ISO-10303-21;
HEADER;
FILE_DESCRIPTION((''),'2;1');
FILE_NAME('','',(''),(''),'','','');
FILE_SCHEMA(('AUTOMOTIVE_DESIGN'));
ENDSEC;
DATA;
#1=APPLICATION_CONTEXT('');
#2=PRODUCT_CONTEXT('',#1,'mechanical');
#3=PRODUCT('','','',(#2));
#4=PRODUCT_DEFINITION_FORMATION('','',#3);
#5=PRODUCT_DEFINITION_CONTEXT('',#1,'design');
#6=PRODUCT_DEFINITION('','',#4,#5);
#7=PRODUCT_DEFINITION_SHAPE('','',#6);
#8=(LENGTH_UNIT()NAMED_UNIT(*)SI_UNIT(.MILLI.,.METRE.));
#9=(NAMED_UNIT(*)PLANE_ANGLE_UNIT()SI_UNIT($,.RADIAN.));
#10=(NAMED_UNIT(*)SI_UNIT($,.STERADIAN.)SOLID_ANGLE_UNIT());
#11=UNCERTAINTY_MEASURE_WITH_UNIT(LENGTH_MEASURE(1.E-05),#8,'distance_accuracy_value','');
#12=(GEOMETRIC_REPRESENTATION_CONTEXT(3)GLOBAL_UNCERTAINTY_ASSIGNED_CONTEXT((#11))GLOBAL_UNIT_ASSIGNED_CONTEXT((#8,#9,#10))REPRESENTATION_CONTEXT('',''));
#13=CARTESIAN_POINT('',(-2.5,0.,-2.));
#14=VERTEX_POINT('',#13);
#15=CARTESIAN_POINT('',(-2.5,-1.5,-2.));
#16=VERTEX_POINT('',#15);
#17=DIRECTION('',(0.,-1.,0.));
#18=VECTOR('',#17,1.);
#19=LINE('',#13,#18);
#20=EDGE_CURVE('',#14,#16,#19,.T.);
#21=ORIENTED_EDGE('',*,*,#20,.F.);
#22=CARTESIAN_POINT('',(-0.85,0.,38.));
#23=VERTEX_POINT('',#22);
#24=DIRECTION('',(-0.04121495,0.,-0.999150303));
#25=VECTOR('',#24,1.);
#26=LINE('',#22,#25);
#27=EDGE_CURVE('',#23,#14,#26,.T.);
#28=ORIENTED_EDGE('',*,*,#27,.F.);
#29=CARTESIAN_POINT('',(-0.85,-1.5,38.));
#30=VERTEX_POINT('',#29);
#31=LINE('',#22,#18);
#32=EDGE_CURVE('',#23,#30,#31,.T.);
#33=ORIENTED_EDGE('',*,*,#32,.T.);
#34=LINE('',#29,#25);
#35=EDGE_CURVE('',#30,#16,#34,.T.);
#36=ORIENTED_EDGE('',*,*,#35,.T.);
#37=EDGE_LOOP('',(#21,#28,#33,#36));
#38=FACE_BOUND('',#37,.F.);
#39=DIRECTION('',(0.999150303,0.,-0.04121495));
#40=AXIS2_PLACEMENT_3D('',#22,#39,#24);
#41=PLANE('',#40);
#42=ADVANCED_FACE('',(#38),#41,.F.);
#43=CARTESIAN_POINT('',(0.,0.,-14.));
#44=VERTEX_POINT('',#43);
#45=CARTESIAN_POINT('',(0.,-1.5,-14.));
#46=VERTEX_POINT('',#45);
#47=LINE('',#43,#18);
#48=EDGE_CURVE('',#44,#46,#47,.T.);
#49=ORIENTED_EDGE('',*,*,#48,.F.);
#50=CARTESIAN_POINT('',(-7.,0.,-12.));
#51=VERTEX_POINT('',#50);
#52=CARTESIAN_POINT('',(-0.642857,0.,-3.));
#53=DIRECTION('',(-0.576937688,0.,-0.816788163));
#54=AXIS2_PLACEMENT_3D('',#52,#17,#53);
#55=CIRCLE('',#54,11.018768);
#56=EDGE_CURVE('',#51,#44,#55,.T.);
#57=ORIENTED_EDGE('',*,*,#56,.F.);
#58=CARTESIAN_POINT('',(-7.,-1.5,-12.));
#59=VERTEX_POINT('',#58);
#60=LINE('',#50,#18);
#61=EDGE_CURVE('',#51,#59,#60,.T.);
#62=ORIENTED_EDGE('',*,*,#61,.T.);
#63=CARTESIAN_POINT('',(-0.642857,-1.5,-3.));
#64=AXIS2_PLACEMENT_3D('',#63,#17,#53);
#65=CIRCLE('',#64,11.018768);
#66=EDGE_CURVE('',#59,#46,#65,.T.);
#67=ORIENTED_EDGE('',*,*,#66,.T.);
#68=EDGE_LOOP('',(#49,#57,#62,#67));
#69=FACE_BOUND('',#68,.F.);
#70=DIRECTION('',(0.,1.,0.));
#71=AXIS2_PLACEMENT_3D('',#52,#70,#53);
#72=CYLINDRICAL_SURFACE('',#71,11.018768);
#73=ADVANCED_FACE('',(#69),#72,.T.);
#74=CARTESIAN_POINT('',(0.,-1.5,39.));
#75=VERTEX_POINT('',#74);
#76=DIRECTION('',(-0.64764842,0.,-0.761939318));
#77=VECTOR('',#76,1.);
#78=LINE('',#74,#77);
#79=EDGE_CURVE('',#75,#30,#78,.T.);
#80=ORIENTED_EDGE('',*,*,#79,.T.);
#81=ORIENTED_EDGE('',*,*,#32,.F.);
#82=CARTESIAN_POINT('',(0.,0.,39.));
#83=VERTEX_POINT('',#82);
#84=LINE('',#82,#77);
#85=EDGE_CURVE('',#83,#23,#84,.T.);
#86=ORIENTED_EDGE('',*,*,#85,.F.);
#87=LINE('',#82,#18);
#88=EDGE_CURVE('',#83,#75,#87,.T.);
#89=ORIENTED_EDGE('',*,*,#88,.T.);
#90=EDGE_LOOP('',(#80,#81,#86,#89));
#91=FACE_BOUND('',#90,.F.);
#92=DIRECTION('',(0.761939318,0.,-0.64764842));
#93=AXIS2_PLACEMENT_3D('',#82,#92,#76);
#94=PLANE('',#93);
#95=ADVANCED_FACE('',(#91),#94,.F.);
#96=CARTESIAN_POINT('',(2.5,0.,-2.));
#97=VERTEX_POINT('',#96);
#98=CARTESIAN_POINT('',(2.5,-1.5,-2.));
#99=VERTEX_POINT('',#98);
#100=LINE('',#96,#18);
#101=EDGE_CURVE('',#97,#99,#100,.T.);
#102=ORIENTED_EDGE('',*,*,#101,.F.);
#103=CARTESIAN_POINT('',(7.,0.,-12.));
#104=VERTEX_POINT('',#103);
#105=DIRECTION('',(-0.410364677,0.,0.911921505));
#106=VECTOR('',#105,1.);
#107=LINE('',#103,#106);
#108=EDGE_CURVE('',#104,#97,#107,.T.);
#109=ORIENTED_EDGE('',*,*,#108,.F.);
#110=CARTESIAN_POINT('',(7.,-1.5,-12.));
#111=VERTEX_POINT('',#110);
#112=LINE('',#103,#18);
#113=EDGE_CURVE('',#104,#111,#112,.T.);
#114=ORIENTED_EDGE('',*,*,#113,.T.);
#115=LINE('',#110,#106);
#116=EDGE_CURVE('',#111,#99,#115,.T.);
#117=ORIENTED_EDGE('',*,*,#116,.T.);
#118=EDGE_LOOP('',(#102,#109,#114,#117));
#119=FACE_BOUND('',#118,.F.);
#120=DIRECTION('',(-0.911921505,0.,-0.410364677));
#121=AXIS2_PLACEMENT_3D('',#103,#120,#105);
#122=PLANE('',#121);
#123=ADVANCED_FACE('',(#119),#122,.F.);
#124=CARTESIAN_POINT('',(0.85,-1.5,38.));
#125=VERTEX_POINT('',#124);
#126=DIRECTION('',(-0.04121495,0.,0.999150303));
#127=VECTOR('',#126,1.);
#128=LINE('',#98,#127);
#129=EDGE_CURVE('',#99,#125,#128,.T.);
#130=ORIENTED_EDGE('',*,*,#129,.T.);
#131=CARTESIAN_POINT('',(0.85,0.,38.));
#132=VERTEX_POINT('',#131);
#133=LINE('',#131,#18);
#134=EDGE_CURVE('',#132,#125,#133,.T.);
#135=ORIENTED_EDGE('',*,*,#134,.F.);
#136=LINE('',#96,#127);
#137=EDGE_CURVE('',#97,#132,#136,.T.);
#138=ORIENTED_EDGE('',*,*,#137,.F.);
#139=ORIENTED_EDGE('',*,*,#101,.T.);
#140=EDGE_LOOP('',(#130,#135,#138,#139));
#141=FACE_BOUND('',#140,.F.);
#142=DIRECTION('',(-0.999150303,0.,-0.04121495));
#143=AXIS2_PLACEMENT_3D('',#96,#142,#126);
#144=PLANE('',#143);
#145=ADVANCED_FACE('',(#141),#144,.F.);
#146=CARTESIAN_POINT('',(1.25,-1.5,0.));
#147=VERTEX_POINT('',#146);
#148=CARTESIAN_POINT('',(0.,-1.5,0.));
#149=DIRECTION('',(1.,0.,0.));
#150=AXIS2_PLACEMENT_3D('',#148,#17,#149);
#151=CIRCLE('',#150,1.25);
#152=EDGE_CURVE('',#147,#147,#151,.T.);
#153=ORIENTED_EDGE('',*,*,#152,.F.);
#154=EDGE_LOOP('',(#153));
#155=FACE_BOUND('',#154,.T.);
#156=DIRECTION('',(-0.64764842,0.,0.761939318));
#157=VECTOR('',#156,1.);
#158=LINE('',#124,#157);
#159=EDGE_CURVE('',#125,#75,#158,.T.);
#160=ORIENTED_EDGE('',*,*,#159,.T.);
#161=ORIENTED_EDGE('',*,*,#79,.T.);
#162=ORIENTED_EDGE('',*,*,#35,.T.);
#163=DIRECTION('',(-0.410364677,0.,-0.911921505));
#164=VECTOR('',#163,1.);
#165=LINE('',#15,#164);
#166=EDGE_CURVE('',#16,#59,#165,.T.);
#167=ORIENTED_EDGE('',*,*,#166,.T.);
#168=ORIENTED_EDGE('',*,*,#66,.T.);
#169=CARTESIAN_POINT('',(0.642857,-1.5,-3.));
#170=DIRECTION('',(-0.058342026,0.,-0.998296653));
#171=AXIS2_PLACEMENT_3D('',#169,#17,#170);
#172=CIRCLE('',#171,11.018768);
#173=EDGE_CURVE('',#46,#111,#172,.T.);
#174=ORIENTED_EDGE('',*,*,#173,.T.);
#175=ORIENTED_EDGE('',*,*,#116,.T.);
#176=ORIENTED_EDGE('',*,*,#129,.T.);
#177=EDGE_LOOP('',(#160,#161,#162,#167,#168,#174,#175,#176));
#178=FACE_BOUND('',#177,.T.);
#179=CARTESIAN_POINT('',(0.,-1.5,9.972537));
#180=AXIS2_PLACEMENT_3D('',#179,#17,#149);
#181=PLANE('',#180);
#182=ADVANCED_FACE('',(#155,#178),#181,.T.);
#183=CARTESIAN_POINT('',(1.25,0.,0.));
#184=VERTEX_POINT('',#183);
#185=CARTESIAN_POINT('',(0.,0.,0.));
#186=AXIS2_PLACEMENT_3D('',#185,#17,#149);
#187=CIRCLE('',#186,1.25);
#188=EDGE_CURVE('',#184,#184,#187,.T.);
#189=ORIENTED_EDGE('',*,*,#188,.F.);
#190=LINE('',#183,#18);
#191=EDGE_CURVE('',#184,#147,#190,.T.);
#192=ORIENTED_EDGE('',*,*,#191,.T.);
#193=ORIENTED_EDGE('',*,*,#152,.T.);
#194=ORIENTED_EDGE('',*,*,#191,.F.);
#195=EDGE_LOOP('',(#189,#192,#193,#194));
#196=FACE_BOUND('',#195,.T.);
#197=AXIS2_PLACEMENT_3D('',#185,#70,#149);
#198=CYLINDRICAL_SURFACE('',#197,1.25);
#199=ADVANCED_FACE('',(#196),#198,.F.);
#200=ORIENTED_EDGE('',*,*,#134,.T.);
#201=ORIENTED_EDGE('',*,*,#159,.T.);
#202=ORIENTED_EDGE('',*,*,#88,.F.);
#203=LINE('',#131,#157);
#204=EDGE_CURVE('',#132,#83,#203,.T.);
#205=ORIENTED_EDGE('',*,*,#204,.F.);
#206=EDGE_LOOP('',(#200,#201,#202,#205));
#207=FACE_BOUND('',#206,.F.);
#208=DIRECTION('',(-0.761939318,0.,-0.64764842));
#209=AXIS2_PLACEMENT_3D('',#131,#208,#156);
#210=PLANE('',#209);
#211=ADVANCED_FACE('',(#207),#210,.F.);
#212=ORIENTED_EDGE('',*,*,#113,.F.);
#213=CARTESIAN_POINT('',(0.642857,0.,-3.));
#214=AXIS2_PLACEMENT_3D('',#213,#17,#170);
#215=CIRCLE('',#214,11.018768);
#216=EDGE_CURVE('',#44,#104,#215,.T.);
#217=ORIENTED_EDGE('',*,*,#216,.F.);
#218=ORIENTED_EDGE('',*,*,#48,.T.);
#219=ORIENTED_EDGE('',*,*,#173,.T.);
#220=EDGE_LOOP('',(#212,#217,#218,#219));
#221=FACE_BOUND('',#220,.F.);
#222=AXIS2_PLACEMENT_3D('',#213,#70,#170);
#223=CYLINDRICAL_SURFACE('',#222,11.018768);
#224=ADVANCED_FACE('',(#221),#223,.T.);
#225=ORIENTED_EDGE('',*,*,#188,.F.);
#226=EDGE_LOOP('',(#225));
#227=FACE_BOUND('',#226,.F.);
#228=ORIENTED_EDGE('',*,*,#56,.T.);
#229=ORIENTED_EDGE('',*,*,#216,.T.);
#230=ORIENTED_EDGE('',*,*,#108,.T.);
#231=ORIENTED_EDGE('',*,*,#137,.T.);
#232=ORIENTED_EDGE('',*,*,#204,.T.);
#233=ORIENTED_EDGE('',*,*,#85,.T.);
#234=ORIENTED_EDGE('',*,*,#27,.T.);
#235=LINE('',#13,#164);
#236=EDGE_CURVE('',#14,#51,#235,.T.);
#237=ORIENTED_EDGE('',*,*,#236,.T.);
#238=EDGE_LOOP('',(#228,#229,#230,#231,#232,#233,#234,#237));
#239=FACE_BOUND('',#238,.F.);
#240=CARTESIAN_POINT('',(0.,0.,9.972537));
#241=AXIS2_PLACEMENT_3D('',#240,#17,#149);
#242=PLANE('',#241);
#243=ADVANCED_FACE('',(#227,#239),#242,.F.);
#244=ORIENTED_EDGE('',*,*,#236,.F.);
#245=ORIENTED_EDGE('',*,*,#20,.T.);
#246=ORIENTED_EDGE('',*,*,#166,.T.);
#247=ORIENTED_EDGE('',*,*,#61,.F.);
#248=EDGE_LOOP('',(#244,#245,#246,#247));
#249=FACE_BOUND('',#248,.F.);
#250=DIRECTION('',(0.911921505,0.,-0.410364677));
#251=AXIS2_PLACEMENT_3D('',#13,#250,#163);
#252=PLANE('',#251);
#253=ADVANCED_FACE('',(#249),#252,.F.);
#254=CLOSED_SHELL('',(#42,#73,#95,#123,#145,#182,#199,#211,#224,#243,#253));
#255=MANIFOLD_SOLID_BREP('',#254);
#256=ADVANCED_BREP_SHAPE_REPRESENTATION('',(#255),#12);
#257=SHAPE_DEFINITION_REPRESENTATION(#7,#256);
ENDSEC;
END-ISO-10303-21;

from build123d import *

# Parameters (mm, degrees)
F0_R     = 1.25
F1_DEPTH = 1.5


with BuildPart() as f1:
    # F0 (on Front) → F1 (new body)
    with BuildSketch(Plane.XZ):
        with BuildLine():
            Line((0.85, 38), (0, 39))
            Line((0, 39), (-0.85, 38))
            Line((-0.85, 38), (-2.5, -2))
            Line((-2.5, -2), (-7, -12))
            ThreePointArc((-7, -12), (-3.669946, -13.59481), (0, -14))
            ThreePointArc((0, -14), (3.669946, -13.59481), (7, -12))
            Line((7, -12), (2.5, -2))
            Line((2.5, -2), (0.85, 38))
        make_face()
        Circle(F0_R, mode=Mode.SUBTRACT)
    extrude(amount=F1_DEPTH)


solid = f1.part
